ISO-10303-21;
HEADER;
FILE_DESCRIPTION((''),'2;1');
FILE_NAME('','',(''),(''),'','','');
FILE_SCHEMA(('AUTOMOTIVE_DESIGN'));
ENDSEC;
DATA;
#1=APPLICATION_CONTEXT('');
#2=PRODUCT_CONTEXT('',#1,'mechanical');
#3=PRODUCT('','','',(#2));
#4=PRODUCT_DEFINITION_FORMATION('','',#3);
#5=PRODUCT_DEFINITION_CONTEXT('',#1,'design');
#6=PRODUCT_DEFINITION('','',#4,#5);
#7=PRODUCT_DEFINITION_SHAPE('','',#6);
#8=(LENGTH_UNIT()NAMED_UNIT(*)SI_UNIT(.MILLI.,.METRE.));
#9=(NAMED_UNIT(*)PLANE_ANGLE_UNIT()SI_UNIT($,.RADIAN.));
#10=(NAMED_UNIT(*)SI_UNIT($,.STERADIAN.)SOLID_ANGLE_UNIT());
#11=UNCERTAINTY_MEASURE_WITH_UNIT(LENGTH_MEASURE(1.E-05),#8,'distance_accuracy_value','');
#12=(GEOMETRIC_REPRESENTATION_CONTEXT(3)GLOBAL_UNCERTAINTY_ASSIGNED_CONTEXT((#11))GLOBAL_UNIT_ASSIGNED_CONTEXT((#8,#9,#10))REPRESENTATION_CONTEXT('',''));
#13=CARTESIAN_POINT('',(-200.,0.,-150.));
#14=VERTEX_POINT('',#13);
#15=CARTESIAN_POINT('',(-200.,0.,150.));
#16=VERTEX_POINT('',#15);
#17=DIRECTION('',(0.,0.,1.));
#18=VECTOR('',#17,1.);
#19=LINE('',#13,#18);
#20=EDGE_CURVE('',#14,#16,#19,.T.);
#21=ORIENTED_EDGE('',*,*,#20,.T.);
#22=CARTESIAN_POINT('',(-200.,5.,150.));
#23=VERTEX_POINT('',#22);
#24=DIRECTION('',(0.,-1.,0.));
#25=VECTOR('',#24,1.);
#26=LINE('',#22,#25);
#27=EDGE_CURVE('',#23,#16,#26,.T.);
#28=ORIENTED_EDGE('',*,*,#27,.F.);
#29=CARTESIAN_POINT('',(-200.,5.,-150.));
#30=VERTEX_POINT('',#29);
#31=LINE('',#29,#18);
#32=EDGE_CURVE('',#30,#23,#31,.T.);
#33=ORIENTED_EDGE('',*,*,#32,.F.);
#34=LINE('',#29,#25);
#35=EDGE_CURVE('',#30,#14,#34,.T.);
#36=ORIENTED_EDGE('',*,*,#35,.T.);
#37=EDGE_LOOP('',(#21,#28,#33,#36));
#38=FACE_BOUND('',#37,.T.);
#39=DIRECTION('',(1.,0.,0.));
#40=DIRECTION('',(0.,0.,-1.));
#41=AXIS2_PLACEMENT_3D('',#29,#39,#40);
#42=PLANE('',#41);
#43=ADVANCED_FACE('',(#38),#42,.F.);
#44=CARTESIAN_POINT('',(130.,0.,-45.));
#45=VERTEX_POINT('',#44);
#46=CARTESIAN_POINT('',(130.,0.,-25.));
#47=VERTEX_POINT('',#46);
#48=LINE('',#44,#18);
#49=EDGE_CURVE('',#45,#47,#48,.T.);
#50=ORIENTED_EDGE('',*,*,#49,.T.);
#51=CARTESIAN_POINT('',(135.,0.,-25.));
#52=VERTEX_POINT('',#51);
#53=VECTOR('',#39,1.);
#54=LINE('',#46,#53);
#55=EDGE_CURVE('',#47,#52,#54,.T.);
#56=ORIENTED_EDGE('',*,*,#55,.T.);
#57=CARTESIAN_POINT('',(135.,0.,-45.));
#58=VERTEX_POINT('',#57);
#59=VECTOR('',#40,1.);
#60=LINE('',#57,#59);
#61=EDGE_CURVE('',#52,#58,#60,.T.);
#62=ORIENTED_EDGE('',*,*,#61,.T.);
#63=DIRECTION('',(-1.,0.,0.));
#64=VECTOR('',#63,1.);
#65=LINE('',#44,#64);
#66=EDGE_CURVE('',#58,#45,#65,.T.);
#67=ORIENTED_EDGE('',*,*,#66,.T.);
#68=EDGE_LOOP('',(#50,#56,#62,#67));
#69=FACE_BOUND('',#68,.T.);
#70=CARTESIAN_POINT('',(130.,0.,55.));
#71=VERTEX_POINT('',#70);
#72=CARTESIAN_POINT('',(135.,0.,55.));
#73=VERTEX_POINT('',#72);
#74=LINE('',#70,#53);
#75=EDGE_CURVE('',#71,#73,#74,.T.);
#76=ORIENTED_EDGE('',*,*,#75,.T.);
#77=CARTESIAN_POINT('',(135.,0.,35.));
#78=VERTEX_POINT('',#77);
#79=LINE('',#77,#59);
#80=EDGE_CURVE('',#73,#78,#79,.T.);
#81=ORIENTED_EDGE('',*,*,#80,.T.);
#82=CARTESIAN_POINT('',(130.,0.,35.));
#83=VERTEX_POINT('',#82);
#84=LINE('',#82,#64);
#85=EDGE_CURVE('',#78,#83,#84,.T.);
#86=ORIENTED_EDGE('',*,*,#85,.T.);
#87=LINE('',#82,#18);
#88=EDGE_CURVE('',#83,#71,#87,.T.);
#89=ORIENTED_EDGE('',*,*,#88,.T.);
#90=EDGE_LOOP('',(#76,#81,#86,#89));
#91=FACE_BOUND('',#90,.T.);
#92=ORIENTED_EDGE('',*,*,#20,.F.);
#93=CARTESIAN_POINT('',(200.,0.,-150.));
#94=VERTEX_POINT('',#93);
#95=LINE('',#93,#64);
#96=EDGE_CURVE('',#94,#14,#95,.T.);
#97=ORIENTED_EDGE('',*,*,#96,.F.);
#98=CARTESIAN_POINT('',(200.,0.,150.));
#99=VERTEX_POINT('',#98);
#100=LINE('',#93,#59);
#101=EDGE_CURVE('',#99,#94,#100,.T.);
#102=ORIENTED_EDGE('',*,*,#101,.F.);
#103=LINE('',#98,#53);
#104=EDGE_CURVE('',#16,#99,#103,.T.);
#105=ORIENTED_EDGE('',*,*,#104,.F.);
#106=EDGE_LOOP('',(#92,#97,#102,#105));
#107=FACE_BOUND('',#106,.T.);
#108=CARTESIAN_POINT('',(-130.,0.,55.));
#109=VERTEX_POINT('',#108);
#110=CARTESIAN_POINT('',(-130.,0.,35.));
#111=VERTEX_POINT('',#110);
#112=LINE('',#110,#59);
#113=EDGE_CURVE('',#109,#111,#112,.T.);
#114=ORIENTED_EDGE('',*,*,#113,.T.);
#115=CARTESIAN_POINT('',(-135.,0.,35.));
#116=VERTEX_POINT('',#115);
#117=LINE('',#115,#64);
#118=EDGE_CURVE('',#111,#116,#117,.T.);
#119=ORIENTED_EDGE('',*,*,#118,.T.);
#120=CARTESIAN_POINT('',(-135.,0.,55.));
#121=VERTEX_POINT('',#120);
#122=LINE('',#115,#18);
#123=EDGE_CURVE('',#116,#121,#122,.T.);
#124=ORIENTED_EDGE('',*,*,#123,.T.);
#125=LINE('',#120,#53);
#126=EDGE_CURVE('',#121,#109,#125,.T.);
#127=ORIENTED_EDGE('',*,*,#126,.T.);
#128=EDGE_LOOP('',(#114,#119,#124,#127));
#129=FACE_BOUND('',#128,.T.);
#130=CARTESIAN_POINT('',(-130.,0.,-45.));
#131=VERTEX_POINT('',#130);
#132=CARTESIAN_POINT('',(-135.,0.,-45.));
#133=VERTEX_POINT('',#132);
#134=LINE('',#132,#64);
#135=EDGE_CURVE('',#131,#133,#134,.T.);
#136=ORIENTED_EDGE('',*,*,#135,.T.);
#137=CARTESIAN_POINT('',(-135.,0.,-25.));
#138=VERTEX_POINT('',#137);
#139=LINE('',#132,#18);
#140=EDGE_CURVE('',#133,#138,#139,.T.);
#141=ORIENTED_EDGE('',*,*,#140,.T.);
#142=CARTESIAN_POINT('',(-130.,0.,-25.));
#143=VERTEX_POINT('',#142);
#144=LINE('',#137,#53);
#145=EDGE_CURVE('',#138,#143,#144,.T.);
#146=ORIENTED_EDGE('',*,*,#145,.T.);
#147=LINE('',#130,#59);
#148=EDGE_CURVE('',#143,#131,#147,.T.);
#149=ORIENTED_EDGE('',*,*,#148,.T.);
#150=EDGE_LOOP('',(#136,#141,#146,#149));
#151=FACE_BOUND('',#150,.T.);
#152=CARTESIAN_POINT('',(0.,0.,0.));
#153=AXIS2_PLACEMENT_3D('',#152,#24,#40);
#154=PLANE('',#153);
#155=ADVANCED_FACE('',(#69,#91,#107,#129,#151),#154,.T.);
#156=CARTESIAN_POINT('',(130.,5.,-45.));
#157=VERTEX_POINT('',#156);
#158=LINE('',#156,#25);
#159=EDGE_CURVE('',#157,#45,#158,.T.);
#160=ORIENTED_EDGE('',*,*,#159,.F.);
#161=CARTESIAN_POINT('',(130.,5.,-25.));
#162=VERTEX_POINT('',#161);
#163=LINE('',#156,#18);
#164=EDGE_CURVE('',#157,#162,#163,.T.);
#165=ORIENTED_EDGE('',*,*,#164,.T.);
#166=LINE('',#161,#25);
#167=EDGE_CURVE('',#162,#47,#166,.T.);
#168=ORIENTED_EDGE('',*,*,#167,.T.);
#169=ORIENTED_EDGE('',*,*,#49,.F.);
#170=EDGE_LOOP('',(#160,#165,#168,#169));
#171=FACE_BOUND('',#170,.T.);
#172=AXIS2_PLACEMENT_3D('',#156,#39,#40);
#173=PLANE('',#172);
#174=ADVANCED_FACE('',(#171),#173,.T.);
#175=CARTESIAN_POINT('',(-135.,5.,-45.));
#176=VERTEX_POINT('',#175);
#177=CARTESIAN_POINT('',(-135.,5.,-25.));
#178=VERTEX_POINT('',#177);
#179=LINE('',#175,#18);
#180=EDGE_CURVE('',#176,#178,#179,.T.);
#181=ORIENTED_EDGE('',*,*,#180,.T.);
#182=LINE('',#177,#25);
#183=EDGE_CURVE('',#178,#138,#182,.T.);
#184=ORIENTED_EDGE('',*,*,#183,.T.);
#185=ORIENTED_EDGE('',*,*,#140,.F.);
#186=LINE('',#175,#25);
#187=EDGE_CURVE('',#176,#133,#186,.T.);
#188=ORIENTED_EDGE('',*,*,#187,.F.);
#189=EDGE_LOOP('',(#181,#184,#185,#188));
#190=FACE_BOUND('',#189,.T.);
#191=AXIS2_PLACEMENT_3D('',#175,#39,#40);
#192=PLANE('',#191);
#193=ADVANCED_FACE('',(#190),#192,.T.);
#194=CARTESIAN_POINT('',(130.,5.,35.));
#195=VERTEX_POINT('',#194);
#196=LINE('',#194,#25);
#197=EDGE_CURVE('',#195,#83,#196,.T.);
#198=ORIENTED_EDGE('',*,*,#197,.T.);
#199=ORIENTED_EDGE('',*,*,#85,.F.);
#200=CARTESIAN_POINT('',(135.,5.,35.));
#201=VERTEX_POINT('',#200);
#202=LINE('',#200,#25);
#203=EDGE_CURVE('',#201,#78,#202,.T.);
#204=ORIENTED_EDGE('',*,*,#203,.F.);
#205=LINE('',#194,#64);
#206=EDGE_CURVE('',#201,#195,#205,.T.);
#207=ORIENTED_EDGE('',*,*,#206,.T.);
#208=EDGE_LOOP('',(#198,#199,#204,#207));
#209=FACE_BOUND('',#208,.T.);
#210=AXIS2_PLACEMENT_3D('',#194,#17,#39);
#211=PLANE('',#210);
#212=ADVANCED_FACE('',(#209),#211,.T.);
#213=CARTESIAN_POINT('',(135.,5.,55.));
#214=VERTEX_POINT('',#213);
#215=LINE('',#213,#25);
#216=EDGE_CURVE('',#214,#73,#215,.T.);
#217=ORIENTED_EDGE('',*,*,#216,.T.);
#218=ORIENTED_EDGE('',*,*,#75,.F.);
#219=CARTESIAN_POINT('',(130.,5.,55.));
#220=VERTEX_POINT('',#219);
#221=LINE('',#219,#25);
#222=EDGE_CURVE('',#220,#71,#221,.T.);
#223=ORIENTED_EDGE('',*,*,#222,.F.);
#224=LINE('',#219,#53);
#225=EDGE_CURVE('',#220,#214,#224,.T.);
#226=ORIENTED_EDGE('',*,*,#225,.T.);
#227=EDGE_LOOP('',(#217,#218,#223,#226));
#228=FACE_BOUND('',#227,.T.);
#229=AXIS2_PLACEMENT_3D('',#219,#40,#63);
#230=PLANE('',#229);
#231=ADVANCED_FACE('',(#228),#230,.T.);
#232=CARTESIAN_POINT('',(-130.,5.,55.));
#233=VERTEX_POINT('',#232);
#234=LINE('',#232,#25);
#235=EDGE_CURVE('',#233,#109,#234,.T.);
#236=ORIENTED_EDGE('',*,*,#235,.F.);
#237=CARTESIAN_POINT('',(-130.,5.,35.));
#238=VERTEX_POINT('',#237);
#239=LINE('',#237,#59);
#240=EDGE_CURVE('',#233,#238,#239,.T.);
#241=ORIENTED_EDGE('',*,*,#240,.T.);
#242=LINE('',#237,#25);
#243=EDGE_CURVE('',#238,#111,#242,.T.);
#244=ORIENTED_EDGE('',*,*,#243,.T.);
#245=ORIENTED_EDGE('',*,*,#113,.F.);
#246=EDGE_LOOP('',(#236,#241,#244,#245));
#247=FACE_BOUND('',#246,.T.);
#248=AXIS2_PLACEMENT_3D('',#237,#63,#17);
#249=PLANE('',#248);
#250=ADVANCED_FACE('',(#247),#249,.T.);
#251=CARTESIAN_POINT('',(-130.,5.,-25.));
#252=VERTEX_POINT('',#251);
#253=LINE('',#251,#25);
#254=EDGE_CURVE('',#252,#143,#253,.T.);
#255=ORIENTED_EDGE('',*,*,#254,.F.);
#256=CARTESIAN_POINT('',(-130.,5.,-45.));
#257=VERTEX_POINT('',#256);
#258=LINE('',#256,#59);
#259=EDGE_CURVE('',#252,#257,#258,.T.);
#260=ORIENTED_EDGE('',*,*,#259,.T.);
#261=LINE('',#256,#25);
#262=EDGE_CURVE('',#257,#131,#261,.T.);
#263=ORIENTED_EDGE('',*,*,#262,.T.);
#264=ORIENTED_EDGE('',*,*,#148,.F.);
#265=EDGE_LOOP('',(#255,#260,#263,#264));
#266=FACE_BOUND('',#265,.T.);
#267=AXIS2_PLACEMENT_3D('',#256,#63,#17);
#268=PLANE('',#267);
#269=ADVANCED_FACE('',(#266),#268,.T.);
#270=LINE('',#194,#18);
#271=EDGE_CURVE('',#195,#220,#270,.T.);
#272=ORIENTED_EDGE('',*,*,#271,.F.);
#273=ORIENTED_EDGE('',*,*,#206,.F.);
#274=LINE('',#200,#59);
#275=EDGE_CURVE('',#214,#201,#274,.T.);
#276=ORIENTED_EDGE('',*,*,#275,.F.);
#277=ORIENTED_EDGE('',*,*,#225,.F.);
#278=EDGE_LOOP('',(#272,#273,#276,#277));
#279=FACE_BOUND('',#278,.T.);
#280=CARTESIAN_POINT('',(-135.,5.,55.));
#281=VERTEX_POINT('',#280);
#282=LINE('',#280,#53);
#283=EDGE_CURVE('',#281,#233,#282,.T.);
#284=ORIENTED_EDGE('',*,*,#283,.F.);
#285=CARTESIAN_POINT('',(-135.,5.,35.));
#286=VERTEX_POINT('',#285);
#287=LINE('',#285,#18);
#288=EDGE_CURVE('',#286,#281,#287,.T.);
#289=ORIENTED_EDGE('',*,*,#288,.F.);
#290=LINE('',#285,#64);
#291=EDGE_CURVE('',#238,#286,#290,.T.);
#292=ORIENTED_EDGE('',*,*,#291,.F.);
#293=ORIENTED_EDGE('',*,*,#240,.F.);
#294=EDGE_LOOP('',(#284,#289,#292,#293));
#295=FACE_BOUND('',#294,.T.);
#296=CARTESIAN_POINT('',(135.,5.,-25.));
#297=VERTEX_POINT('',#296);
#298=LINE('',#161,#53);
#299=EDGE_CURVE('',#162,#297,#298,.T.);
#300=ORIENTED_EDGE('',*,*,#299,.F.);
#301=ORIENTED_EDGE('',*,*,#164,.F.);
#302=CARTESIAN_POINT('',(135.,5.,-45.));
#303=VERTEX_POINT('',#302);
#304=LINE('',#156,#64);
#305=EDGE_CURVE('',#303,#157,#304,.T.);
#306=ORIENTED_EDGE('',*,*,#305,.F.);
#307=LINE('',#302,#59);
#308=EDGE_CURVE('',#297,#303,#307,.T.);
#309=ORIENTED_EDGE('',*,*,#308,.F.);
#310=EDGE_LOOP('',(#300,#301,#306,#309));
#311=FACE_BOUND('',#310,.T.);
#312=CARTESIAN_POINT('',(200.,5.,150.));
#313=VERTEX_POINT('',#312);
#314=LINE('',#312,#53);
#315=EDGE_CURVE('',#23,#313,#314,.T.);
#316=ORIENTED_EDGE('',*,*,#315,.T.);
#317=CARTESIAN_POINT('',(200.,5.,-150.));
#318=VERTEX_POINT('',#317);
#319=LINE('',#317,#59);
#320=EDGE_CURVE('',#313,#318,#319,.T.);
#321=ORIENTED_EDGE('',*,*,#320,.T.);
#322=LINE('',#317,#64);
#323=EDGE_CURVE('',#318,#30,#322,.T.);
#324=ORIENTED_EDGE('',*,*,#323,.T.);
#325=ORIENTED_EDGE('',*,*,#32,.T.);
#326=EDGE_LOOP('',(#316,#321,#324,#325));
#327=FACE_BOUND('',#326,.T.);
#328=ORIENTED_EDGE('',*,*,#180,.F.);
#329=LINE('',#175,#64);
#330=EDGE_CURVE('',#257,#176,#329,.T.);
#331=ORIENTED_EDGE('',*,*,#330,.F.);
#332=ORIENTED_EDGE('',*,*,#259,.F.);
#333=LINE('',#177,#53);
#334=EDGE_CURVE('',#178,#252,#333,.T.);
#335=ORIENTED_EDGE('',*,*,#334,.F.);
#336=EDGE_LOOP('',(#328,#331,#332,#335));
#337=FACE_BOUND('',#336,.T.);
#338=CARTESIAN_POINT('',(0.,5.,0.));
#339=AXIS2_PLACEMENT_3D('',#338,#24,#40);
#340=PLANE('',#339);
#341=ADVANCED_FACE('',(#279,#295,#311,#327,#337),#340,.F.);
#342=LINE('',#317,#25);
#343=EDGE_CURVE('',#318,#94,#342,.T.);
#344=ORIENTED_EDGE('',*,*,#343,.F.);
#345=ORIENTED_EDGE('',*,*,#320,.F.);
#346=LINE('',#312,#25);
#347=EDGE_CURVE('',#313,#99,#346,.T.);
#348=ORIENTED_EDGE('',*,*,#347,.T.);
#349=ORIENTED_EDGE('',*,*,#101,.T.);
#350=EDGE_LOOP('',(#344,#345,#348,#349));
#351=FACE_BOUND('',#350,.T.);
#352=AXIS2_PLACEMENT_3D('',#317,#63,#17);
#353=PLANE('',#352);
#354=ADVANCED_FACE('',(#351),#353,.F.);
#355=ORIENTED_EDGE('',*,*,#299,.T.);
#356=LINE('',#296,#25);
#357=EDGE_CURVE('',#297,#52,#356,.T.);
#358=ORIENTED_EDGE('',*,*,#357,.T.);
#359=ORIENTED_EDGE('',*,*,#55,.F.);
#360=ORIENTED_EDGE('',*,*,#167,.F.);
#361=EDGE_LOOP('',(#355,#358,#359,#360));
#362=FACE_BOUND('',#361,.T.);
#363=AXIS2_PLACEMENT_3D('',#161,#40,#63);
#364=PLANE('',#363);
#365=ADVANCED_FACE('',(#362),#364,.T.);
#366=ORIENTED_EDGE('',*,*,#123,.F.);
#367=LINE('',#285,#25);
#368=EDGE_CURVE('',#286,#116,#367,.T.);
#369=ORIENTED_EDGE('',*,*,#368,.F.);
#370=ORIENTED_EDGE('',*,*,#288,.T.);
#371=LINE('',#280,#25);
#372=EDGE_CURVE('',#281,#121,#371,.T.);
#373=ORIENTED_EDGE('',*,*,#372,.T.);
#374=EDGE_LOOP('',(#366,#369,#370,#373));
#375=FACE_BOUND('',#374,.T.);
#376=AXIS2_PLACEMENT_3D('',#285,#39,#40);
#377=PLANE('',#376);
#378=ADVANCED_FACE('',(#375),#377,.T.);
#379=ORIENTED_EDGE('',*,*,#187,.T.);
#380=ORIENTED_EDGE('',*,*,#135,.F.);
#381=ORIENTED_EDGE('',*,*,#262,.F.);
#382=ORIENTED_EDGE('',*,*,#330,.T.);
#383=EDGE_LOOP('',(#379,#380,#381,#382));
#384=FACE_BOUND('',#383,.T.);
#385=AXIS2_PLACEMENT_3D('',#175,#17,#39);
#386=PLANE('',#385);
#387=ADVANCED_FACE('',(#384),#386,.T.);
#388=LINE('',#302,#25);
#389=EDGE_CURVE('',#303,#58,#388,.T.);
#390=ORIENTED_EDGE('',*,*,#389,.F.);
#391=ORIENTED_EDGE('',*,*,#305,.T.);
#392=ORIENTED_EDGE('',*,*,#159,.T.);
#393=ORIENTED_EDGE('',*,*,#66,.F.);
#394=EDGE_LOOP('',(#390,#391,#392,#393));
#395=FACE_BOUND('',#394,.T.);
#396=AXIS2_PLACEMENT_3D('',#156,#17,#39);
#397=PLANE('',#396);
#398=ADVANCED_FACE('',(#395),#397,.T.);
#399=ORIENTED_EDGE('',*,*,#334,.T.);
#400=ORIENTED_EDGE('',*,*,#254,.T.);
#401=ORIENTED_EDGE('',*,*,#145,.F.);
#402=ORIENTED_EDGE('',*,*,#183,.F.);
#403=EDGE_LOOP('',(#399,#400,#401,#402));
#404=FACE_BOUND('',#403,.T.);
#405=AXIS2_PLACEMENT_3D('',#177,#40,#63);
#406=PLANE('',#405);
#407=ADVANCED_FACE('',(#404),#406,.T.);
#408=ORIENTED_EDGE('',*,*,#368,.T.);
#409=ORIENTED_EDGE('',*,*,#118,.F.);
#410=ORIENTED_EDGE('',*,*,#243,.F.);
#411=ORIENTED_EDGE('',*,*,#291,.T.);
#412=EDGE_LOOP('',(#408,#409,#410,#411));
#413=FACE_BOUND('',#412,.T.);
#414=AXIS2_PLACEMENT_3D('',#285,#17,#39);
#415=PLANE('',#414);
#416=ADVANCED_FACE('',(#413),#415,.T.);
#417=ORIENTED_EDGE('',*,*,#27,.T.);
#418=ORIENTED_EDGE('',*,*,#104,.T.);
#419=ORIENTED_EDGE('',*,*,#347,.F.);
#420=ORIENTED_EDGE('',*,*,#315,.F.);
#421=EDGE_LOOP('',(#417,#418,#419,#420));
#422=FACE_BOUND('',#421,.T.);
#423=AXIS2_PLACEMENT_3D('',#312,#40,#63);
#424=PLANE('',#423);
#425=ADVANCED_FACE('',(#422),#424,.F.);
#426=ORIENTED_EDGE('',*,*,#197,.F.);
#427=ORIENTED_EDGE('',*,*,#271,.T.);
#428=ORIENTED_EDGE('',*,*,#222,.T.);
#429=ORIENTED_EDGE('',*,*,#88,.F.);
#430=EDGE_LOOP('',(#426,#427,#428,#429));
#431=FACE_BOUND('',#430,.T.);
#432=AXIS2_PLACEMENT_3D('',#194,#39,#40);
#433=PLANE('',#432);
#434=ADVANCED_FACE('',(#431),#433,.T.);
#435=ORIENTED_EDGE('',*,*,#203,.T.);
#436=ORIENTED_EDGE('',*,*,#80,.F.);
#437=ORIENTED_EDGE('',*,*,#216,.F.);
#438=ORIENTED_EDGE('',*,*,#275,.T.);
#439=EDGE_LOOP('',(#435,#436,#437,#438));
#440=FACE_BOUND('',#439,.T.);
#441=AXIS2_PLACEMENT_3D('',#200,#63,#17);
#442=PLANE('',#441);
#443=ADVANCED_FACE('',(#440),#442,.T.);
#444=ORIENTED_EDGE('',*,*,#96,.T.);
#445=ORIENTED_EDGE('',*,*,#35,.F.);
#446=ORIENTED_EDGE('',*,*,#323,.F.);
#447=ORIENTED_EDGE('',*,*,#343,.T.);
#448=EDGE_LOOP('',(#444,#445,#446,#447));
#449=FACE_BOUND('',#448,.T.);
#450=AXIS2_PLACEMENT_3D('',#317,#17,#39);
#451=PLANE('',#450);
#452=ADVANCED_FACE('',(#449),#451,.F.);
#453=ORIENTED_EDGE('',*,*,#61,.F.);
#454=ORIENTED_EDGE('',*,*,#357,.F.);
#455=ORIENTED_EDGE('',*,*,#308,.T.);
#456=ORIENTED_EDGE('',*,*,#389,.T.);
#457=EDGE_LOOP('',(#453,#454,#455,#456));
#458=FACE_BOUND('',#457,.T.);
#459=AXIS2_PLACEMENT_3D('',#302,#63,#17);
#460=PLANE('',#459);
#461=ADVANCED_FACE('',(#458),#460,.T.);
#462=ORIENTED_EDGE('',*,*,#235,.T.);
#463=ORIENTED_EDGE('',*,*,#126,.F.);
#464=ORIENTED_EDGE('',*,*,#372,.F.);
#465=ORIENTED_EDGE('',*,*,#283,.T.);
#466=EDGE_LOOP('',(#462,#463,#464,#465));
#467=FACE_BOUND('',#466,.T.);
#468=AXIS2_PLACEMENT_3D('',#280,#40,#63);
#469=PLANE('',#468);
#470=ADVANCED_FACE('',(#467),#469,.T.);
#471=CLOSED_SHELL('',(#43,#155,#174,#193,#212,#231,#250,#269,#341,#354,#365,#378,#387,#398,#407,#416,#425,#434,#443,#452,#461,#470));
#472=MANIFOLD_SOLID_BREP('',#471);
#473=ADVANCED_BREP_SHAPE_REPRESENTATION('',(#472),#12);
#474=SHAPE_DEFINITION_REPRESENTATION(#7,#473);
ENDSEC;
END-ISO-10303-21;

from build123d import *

# Parameters (mm, degrees)
SKETCH_1_W      = 400
SKETCH_1_H      = 300
SKETCH_1_W_2    = 5
SKETCH_1_H_2    = 20
EXTRUDE_1_DEPTH = 5


with BuildPart() as part:
    # 草圖1 → 填料-伸長1 (new body)
    with BuildSketch(Plane(origin=(0, 0, 0), x_dir=(1, 0, 0), z_dir=(0, 1, 0))):
        Rectangle(SKETCH_1_W, SKETCH_1_H)
        with Locations((-132.5, 35)):
            Rectangle(SKETCH_1_W_2, SKETCH_1_H_2, mode=Mode.SUBTRACT)
        with Locations((-132.5, -45)):
            Rectangle(SKETCH_1_W_2, SKETCH_1_H_2, mode=Mode.SUBTRACT)
        with Locations((132.5, 35)):
            Rectangle(SKETCH_1_W_2, SKETCH_1_H_2, mode=Mode.SUBTRACT)
        with Locations((132.5, -45)):
            Rectangle(SKETCH_1_W_2, SKETCH_1_H_2, mode=Mode.SUBTRACT)
    extrude(amount=EXTRUDE_1_DEPTH)


solid = part.part
